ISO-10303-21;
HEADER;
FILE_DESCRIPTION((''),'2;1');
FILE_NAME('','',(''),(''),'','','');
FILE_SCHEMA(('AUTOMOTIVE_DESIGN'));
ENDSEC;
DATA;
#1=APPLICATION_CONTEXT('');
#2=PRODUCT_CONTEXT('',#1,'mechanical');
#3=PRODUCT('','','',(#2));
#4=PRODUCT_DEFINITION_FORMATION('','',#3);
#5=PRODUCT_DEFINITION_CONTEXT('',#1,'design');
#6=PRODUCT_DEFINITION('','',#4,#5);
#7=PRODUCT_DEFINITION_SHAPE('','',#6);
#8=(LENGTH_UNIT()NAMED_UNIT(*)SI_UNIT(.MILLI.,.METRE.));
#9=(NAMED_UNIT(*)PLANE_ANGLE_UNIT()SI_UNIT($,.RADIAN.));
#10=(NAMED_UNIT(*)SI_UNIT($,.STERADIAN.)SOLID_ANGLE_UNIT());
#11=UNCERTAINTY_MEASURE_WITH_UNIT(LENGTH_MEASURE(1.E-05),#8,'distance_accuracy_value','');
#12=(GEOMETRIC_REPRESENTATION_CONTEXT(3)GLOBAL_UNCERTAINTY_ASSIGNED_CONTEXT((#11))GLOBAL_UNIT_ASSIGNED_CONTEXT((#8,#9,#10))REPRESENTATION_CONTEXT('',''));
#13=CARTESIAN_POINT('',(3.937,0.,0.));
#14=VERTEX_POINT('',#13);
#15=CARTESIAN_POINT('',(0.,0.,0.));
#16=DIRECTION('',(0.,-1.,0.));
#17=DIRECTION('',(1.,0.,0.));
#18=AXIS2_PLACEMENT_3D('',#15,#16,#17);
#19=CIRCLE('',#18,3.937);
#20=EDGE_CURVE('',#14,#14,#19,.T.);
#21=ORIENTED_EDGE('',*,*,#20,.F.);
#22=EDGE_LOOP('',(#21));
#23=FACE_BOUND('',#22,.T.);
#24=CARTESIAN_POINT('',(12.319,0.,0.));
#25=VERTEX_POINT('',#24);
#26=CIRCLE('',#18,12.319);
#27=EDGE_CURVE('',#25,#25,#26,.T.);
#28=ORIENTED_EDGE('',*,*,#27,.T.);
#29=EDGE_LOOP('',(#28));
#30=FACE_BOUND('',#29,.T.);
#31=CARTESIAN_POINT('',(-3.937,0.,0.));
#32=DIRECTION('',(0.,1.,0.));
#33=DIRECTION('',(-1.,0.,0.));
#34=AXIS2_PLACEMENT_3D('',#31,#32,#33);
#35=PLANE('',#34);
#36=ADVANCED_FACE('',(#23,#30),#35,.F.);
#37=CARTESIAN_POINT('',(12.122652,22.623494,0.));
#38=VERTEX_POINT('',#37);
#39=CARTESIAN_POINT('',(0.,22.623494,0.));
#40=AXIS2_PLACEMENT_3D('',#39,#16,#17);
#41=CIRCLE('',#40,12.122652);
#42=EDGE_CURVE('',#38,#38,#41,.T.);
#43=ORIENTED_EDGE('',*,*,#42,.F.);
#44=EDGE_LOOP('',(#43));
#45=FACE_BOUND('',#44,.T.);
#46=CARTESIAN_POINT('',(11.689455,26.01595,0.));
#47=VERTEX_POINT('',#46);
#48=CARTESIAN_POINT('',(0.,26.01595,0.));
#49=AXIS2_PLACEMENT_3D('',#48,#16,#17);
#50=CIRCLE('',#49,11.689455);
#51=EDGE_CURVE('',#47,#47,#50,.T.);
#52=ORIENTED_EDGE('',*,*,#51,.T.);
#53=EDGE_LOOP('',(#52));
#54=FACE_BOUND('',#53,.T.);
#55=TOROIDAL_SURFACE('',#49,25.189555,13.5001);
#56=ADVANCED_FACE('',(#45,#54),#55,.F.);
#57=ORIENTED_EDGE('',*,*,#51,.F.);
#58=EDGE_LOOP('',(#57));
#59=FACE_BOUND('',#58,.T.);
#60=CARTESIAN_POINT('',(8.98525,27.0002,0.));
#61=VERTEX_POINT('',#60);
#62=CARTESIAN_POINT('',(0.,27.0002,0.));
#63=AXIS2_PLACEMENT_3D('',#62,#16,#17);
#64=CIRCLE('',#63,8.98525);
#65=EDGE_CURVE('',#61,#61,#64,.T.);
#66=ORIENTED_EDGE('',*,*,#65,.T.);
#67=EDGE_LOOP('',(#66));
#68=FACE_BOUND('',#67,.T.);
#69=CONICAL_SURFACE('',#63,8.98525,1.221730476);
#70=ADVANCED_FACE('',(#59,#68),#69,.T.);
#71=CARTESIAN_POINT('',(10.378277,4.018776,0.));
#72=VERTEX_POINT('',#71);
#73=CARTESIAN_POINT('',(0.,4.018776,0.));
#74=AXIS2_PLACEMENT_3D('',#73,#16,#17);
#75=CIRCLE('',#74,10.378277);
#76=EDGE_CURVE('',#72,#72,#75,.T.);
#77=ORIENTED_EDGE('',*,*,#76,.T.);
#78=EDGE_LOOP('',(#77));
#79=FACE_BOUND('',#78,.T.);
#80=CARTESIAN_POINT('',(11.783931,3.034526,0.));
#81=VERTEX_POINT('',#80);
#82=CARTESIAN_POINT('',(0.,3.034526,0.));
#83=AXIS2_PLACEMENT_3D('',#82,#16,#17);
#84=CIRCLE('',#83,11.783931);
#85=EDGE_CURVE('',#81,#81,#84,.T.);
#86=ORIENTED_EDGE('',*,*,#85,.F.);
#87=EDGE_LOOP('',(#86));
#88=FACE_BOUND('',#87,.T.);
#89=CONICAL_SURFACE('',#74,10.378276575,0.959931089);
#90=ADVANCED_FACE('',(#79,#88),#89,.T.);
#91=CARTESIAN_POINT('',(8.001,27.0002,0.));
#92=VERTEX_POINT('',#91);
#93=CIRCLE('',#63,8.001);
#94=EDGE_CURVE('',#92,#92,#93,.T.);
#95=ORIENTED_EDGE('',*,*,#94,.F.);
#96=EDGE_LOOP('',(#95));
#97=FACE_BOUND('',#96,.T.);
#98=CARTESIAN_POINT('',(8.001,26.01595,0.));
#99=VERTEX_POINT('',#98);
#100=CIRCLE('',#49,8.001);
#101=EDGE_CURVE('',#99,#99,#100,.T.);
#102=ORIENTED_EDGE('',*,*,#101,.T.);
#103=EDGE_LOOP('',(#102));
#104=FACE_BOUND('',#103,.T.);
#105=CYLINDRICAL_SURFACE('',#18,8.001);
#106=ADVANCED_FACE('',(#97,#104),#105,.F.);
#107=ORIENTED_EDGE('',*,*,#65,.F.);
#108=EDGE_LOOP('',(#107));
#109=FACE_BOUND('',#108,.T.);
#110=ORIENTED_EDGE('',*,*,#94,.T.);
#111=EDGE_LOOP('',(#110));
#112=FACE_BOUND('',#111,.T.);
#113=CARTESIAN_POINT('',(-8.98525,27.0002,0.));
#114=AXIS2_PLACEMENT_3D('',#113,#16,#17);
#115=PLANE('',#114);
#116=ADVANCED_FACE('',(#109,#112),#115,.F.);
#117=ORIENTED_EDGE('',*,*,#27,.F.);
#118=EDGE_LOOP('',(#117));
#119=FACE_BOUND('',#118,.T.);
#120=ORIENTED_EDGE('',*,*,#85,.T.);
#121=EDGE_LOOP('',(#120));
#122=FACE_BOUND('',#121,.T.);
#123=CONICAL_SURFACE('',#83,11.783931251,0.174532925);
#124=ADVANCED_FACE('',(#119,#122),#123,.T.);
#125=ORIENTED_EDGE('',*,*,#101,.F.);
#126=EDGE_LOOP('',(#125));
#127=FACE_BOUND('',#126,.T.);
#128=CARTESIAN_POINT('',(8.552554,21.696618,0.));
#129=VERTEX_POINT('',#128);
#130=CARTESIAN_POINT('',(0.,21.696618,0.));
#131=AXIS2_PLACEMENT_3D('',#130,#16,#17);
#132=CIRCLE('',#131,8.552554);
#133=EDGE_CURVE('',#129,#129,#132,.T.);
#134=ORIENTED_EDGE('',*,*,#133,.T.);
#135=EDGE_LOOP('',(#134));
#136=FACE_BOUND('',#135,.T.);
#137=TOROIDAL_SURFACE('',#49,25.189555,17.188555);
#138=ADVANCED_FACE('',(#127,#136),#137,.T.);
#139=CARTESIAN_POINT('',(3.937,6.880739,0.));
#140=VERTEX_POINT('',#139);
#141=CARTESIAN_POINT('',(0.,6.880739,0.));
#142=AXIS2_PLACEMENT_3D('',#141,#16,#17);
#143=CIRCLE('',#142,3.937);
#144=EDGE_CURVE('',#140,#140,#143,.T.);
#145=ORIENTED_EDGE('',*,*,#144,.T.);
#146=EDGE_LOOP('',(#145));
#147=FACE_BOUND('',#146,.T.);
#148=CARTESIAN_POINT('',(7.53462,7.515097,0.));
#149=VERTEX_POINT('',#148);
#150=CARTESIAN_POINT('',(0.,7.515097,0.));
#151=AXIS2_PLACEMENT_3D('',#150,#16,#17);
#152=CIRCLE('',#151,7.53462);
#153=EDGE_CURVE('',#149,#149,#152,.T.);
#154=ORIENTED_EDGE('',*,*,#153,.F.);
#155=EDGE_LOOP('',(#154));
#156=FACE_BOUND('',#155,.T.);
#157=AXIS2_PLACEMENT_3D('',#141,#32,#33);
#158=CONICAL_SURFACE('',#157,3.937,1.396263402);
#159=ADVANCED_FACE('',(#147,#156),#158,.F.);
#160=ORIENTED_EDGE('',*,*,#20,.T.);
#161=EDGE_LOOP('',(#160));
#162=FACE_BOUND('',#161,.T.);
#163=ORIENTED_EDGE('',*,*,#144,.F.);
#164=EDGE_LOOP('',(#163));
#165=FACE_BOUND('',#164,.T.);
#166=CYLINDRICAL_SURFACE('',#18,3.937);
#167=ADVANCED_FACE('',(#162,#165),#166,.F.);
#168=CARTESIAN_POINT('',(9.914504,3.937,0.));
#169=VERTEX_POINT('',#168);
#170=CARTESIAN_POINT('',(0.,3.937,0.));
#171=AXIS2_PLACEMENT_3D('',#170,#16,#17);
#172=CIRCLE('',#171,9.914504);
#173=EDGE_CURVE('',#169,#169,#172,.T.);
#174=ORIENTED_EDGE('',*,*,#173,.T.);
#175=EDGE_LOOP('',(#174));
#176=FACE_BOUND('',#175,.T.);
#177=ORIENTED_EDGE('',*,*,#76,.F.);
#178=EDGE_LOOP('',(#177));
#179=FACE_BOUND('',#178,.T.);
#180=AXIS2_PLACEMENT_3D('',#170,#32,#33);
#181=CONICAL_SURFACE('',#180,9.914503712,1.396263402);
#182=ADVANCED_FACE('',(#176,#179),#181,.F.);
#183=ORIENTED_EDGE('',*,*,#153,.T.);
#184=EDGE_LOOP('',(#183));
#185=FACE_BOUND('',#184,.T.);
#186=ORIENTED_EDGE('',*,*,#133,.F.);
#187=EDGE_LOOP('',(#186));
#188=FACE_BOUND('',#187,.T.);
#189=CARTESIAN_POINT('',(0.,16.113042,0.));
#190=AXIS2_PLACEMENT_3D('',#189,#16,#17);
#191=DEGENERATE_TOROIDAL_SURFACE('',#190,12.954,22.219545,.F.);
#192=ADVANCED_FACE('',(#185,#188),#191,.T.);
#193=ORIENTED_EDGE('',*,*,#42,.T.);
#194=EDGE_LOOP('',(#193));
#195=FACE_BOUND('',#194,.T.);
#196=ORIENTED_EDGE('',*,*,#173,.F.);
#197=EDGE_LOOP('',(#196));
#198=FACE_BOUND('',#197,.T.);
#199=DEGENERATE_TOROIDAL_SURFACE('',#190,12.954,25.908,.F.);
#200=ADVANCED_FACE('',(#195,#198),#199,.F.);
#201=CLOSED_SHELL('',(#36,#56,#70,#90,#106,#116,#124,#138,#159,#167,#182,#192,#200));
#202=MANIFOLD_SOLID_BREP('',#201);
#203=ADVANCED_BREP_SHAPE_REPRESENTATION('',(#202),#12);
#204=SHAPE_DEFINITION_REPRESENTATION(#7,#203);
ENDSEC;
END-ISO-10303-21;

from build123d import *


with BuildPart() as part:
    # Sketch1 → Revolve1 (revolve)
    with BuildSketch(Plane.XY, mode=Mode.PRIVATE) as revolve1_sk:
        with BuildLine():
            Line((-3.937, 6.880739389), (-3.937, 0))
            Line((-3.937, 0), (-12.319, 0))
            Line((-12.319, 0), (-11.783931251, 3.034525669))
            Line((-11.783931251, 3.034525669), (-10.378276575, 4.018775669))
            Line((-10.378276575, 4.018775669), (-9.914503712, 3.937))
            ThreePointArc((-9.914503712, 3.937), (-12.774986685, 13.072695411), (-12.122652106, 22.623493969))
            ThreePointArc((-12.122652106, 22.623493969), (-11.798191929, 24.305948687), (-11.68945465, 26.01595))
            Line((-11.68945465, 26.01595), (-8.98525, 27.0002))
            Line((-8.98525, 27.0002), (-8.001, 27.0002))
            Line((-8.001, 27.0002), (-8.001, 26.01595))
            ThreePointArc((-8.001, 26.01595), (-8.139446135, 23.838747534), (-8.552554296, 21.696617855))
            ThreePointArc((-8.552554296, 21.696617855), (-9.208525617, 14.522239239), (-7.534619557, 7.515096784))
            Line((-7.534619557, 7.515096784), (-3.937, 6.880739389))
        make_face()
    revolve(revolve1_sk.sketch.rotate(Axis((0, 0, 0), (0, 1, 0)), 180), axis=Axis((0, 0, 0), (0, 1, 0)))


solid = part.part
